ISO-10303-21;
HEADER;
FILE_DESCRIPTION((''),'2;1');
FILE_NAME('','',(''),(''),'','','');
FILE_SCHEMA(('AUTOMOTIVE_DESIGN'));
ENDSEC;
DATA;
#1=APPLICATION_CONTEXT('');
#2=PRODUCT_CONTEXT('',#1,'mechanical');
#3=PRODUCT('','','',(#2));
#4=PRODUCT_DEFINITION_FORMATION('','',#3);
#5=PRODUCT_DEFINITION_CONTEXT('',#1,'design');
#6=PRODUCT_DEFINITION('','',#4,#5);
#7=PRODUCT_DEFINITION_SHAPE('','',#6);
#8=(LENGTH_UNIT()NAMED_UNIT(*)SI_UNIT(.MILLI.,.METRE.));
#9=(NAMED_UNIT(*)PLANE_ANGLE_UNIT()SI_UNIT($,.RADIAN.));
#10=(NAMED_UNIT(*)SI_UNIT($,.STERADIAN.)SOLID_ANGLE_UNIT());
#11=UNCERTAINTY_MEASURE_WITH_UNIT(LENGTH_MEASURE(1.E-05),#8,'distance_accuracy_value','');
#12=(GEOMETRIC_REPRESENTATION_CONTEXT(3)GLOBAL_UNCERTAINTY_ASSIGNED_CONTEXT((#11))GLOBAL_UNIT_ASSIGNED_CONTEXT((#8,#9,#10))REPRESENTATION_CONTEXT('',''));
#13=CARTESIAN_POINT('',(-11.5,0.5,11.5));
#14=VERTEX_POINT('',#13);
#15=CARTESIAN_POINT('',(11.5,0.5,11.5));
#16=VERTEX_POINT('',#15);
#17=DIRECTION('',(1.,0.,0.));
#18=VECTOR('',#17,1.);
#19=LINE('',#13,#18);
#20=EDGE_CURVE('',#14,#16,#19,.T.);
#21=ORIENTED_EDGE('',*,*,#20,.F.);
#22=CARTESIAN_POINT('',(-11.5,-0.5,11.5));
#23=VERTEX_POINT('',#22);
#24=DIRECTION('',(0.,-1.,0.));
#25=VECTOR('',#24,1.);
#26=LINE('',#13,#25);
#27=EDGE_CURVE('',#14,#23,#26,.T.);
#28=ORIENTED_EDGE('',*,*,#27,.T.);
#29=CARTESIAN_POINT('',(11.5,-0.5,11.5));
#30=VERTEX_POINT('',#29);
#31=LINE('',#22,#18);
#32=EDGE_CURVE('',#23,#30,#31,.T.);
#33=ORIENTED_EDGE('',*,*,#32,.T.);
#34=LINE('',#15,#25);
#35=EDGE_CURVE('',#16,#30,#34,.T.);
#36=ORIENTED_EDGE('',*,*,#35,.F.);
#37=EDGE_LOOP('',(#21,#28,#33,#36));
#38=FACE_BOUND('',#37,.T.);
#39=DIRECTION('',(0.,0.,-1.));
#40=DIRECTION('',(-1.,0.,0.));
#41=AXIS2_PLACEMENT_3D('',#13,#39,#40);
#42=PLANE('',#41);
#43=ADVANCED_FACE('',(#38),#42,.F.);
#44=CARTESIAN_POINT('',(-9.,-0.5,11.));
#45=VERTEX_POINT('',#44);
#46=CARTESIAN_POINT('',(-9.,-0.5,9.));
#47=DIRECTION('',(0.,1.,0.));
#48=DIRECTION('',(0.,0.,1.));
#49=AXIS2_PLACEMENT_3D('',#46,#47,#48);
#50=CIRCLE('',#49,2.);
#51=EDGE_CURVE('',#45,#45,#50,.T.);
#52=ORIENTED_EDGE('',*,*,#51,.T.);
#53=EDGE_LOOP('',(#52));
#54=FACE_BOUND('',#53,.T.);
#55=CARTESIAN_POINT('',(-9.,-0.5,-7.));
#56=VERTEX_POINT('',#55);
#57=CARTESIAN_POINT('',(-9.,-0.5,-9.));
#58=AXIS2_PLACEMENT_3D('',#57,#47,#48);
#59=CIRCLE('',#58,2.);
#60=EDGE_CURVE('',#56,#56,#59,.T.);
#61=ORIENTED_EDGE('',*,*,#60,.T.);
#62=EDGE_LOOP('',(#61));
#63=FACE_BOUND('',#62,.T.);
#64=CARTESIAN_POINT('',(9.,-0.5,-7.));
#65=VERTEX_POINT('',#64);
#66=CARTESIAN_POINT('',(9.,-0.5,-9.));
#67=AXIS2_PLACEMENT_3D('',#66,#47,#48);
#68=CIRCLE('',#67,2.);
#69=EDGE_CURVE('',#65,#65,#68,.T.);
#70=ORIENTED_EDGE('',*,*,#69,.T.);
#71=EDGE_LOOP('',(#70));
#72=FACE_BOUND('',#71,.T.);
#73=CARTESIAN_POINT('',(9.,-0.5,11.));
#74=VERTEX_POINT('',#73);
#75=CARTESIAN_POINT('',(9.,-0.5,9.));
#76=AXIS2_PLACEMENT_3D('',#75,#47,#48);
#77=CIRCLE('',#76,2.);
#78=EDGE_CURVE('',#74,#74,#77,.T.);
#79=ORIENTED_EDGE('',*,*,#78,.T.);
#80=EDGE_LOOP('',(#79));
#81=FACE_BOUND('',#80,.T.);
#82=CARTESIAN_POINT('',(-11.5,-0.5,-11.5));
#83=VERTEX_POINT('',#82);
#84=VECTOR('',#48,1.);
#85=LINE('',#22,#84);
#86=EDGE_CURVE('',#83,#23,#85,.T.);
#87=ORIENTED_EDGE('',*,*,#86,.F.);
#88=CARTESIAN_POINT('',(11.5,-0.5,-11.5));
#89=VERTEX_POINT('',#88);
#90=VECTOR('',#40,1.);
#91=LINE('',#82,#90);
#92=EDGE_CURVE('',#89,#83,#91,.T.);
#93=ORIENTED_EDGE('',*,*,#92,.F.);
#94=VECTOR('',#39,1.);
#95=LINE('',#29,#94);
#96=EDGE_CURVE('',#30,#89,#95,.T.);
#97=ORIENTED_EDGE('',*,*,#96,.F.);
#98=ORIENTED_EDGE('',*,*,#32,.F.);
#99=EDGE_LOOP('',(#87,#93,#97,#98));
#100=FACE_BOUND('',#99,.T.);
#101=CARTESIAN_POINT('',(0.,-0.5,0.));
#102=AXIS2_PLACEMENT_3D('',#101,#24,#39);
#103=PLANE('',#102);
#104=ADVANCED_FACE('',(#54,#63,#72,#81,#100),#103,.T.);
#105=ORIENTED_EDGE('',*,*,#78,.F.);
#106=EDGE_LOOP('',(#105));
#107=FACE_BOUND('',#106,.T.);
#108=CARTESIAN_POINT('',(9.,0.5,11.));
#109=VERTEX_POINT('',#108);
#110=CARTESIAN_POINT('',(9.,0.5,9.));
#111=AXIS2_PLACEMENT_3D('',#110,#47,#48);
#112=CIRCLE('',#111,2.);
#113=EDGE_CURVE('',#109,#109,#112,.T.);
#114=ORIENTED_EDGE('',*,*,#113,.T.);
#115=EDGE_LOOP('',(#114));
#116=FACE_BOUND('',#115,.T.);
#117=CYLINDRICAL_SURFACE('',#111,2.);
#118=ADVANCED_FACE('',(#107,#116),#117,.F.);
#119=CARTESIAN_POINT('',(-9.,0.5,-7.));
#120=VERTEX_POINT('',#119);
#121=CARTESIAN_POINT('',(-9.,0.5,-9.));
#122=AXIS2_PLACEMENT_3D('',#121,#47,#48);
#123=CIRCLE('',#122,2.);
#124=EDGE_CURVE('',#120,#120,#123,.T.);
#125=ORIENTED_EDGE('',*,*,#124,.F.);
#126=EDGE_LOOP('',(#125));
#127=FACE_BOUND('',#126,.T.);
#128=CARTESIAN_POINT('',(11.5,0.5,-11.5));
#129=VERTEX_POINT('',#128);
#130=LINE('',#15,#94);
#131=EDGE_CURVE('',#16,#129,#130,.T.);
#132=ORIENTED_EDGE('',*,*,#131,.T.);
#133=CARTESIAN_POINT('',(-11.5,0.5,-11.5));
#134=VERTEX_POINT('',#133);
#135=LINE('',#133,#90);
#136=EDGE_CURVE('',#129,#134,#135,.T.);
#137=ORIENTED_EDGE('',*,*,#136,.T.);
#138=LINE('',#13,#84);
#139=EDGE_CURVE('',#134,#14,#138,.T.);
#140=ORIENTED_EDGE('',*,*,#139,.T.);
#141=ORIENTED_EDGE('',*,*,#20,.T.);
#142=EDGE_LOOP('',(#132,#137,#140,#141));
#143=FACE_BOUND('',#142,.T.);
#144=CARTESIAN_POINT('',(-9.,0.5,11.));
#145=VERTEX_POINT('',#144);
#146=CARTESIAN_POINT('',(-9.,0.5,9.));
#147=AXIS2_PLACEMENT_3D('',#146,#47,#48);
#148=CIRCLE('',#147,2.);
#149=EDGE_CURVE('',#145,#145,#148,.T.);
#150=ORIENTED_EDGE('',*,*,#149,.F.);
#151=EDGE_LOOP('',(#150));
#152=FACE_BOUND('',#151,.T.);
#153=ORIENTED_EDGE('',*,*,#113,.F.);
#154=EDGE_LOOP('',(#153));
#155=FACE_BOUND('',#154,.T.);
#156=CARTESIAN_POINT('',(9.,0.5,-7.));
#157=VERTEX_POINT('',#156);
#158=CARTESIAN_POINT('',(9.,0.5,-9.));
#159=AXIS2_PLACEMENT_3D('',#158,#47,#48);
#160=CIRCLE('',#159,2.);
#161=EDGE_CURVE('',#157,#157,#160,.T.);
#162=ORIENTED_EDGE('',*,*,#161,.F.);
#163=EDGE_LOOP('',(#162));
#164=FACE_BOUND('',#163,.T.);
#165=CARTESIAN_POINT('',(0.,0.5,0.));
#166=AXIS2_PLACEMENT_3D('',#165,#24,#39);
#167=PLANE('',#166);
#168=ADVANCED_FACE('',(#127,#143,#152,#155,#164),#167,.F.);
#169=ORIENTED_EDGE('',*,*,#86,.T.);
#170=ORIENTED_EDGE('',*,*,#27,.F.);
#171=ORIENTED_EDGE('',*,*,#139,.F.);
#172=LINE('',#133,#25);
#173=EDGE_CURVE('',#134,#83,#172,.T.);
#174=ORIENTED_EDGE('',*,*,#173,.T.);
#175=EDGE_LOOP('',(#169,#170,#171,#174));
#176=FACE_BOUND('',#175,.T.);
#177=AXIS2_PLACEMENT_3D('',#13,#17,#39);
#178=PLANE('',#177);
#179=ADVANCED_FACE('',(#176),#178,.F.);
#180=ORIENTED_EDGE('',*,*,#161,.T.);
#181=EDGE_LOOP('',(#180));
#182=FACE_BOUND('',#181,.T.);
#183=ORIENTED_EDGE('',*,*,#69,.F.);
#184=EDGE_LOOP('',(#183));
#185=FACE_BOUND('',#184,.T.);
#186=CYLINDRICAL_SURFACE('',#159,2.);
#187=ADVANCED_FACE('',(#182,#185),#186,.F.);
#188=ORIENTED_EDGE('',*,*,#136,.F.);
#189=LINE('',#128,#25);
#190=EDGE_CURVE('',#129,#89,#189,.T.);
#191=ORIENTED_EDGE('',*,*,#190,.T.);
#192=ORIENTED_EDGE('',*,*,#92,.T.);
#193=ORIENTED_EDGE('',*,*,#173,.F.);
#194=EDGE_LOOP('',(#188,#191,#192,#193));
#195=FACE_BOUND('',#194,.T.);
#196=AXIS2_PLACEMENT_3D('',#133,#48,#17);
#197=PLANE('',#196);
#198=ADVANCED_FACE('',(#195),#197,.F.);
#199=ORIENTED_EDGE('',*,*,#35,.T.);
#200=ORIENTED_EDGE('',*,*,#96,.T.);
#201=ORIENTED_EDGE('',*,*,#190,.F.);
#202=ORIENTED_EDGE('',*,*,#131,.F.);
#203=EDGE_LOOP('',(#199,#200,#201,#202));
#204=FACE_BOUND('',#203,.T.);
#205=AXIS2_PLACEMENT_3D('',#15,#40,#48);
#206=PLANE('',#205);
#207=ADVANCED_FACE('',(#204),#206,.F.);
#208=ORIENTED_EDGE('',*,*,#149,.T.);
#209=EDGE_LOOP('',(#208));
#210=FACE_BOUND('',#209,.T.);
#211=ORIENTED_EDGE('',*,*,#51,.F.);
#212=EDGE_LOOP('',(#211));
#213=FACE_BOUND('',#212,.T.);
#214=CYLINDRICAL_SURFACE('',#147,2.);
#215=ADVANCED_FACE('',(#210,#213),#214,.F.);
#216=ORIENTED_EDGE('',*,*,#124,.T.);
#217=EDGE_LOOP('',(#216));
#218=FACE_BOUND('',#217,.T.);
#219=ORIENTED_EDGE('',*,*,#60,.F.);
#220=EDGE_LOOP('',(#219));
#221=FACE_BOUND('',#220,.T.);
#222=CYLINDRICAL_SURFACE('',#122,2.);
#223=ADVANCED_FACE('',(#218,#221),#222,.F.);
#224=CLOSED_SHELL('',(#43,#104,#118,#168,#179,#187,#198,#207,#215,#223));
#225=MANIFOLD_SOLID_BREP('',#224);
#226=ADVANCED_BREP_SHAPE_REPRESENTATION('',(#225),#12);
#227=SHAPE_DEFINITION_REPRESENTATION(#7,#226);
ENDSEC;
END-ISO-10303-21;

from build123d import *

# Parameters (mm, degrees)
SKETCH_1_W            = 23
SKETCH_1_H            = 23
EXTRUDE_1_DEPTH       = 0.5
HOLE_WIZARD_4_0_4_1_D = 4


with BuildPart() as part:
    # 草圖1 → 填料-伸長1 (new, symmetric)
    with BuildSketch(Plane(origin=(0, 0, 0), x_dir=(1, 0, 0), z_dir=(0, 1, 0))):
        Rectangle(SKETCH_1_W, SKETCH_1_H)
    extrude(amount=EXTRUDE_1_DEPTH, both=True)

    # Ø4.0 (4) 直徑孔1 (through all)
    with Locations(Plane(origin=(0, 0.5, 0), x_dir=(1, 0, 0), z_dir=(0, 1, 0))):
        with Locations((9, 9), (-9, -9), (-9, 9), (9, -9)):
            Hole(HOLE_WIZARD_4_0_4_1_D / 2)


solid = part.part
